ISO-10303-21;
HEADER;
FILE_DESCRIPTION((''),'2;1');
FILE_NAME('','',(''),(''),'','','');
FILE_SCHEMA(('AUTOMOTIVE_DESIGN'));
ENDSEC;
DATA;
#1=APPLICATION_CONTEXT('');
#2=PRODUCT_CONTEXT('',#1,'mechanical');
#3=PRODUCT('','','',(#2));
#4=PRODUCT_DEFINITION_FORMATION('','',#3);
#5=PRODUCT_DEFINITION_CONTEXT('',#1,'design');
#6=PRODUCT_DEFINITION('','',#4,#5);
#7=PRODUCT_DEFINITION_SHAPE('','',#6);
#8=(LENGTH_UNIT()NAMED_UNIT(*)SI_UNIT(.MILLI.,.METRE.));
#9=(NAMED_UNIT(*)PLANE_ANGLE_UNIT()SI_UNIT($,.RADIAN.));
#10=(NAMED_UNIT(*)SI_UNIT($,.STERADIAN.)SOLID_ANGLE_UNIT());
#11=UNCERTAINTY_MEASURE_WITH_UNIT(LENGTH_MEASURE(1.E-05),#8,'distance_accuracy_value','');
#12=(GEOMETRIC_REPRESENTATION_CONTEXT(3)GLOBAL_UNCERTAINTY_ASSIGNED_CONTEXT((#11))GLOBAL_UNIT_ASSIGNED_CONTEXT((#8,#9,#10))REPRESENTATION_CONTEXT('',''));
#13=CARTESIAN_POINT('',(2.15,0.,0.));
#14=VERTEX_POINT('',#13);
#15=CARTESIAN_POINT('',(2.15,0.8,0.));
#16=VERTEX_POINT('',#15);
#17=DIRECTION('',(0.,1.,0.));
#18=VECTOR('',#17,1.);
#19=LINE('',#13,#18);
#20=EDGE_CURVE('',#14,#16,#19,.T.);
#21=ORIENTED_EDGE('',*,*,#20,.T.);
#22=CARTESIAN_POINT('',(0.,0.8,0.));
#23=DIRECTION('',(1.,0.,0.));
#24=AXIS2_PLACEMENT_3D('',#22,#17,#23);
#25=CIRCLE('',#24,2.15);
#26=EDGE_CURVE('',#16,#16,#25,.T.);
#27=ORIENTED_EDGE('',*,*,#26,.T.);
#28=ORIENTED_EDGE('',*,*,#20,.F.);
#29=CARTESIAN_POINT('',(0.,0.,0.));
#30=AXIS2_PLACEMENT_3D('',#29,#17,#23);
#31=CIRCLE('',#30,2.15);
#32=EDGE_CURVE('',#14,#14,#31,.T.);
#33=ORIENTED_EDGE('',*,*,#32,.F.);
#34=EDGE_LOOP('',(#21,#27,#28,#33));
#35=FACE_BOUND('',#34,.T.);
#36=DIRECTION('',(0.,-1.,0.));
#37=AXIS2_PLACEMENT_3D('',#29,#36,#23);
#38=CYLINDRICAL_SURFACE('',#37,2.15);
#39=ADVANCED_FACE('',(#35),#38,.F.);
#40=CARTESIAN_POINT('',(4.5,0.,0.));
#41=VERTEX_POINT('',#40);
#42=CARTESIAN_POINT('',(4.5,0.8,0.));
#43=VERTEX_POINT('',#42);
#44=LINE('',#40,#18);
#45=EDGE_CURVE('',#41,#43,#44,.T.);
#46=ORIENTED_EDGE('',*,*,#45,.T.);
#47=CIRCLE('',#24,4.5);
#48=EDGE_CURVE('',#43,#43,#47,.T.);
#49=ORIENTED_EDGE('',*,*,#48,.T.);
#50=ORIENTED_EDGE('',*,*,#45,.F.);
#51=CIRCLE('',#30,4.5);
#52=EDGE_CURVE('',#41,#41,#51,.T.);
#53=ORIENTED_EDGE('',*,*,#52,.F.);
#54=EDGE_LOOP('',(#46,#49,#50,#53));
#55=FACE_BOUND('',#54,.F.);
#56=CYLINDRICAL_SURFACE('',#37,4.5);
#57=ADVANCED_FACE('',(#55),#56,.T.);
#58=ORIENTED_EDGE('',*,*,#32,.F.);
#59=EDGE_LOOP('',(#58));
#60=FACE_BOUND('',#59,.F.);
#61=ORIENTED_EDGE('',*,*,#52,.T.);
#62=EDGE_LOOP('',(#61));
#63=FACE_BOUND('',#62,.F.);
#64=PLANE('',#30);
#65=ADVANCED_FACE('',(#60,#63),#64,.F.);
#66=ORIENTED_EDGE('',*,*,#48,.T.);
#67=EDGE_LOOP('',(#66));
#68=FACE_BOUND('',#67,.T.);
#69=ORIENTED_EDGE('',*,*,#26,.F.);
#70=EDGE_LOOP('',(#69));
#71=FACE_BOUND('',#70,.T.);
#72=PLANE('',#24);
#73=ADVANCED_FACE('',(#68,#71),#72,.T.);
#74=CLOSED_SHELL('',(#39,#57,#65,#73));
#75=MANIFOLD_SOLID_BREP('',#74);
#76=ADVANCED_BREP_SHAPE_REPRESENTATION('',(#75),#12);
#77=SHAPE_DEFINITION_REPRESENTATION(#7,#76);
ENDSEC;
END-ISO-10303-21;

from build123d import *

# Parameters (mm, degrees)
SKETCH1_R      = 4.5
SKETCH1_R_2    = 2.15
EXTRUDE1_DEPTH = 0.8


with BuildPart() as part:
    # Sketch1 → Extrude1 (new body)
    with BuildSketch(Plane(origin=(0, 0, 0), x_dir=(1, 0, 0), z_dir=(0, 1, 0))):
        Circle(SKETCH1_R)
        Circle(SKETCH1_R_2, mode=Mode.SUBTRACT)
    extrude(amount=EXTRUDE1_DEPTH)


solid = part.part
